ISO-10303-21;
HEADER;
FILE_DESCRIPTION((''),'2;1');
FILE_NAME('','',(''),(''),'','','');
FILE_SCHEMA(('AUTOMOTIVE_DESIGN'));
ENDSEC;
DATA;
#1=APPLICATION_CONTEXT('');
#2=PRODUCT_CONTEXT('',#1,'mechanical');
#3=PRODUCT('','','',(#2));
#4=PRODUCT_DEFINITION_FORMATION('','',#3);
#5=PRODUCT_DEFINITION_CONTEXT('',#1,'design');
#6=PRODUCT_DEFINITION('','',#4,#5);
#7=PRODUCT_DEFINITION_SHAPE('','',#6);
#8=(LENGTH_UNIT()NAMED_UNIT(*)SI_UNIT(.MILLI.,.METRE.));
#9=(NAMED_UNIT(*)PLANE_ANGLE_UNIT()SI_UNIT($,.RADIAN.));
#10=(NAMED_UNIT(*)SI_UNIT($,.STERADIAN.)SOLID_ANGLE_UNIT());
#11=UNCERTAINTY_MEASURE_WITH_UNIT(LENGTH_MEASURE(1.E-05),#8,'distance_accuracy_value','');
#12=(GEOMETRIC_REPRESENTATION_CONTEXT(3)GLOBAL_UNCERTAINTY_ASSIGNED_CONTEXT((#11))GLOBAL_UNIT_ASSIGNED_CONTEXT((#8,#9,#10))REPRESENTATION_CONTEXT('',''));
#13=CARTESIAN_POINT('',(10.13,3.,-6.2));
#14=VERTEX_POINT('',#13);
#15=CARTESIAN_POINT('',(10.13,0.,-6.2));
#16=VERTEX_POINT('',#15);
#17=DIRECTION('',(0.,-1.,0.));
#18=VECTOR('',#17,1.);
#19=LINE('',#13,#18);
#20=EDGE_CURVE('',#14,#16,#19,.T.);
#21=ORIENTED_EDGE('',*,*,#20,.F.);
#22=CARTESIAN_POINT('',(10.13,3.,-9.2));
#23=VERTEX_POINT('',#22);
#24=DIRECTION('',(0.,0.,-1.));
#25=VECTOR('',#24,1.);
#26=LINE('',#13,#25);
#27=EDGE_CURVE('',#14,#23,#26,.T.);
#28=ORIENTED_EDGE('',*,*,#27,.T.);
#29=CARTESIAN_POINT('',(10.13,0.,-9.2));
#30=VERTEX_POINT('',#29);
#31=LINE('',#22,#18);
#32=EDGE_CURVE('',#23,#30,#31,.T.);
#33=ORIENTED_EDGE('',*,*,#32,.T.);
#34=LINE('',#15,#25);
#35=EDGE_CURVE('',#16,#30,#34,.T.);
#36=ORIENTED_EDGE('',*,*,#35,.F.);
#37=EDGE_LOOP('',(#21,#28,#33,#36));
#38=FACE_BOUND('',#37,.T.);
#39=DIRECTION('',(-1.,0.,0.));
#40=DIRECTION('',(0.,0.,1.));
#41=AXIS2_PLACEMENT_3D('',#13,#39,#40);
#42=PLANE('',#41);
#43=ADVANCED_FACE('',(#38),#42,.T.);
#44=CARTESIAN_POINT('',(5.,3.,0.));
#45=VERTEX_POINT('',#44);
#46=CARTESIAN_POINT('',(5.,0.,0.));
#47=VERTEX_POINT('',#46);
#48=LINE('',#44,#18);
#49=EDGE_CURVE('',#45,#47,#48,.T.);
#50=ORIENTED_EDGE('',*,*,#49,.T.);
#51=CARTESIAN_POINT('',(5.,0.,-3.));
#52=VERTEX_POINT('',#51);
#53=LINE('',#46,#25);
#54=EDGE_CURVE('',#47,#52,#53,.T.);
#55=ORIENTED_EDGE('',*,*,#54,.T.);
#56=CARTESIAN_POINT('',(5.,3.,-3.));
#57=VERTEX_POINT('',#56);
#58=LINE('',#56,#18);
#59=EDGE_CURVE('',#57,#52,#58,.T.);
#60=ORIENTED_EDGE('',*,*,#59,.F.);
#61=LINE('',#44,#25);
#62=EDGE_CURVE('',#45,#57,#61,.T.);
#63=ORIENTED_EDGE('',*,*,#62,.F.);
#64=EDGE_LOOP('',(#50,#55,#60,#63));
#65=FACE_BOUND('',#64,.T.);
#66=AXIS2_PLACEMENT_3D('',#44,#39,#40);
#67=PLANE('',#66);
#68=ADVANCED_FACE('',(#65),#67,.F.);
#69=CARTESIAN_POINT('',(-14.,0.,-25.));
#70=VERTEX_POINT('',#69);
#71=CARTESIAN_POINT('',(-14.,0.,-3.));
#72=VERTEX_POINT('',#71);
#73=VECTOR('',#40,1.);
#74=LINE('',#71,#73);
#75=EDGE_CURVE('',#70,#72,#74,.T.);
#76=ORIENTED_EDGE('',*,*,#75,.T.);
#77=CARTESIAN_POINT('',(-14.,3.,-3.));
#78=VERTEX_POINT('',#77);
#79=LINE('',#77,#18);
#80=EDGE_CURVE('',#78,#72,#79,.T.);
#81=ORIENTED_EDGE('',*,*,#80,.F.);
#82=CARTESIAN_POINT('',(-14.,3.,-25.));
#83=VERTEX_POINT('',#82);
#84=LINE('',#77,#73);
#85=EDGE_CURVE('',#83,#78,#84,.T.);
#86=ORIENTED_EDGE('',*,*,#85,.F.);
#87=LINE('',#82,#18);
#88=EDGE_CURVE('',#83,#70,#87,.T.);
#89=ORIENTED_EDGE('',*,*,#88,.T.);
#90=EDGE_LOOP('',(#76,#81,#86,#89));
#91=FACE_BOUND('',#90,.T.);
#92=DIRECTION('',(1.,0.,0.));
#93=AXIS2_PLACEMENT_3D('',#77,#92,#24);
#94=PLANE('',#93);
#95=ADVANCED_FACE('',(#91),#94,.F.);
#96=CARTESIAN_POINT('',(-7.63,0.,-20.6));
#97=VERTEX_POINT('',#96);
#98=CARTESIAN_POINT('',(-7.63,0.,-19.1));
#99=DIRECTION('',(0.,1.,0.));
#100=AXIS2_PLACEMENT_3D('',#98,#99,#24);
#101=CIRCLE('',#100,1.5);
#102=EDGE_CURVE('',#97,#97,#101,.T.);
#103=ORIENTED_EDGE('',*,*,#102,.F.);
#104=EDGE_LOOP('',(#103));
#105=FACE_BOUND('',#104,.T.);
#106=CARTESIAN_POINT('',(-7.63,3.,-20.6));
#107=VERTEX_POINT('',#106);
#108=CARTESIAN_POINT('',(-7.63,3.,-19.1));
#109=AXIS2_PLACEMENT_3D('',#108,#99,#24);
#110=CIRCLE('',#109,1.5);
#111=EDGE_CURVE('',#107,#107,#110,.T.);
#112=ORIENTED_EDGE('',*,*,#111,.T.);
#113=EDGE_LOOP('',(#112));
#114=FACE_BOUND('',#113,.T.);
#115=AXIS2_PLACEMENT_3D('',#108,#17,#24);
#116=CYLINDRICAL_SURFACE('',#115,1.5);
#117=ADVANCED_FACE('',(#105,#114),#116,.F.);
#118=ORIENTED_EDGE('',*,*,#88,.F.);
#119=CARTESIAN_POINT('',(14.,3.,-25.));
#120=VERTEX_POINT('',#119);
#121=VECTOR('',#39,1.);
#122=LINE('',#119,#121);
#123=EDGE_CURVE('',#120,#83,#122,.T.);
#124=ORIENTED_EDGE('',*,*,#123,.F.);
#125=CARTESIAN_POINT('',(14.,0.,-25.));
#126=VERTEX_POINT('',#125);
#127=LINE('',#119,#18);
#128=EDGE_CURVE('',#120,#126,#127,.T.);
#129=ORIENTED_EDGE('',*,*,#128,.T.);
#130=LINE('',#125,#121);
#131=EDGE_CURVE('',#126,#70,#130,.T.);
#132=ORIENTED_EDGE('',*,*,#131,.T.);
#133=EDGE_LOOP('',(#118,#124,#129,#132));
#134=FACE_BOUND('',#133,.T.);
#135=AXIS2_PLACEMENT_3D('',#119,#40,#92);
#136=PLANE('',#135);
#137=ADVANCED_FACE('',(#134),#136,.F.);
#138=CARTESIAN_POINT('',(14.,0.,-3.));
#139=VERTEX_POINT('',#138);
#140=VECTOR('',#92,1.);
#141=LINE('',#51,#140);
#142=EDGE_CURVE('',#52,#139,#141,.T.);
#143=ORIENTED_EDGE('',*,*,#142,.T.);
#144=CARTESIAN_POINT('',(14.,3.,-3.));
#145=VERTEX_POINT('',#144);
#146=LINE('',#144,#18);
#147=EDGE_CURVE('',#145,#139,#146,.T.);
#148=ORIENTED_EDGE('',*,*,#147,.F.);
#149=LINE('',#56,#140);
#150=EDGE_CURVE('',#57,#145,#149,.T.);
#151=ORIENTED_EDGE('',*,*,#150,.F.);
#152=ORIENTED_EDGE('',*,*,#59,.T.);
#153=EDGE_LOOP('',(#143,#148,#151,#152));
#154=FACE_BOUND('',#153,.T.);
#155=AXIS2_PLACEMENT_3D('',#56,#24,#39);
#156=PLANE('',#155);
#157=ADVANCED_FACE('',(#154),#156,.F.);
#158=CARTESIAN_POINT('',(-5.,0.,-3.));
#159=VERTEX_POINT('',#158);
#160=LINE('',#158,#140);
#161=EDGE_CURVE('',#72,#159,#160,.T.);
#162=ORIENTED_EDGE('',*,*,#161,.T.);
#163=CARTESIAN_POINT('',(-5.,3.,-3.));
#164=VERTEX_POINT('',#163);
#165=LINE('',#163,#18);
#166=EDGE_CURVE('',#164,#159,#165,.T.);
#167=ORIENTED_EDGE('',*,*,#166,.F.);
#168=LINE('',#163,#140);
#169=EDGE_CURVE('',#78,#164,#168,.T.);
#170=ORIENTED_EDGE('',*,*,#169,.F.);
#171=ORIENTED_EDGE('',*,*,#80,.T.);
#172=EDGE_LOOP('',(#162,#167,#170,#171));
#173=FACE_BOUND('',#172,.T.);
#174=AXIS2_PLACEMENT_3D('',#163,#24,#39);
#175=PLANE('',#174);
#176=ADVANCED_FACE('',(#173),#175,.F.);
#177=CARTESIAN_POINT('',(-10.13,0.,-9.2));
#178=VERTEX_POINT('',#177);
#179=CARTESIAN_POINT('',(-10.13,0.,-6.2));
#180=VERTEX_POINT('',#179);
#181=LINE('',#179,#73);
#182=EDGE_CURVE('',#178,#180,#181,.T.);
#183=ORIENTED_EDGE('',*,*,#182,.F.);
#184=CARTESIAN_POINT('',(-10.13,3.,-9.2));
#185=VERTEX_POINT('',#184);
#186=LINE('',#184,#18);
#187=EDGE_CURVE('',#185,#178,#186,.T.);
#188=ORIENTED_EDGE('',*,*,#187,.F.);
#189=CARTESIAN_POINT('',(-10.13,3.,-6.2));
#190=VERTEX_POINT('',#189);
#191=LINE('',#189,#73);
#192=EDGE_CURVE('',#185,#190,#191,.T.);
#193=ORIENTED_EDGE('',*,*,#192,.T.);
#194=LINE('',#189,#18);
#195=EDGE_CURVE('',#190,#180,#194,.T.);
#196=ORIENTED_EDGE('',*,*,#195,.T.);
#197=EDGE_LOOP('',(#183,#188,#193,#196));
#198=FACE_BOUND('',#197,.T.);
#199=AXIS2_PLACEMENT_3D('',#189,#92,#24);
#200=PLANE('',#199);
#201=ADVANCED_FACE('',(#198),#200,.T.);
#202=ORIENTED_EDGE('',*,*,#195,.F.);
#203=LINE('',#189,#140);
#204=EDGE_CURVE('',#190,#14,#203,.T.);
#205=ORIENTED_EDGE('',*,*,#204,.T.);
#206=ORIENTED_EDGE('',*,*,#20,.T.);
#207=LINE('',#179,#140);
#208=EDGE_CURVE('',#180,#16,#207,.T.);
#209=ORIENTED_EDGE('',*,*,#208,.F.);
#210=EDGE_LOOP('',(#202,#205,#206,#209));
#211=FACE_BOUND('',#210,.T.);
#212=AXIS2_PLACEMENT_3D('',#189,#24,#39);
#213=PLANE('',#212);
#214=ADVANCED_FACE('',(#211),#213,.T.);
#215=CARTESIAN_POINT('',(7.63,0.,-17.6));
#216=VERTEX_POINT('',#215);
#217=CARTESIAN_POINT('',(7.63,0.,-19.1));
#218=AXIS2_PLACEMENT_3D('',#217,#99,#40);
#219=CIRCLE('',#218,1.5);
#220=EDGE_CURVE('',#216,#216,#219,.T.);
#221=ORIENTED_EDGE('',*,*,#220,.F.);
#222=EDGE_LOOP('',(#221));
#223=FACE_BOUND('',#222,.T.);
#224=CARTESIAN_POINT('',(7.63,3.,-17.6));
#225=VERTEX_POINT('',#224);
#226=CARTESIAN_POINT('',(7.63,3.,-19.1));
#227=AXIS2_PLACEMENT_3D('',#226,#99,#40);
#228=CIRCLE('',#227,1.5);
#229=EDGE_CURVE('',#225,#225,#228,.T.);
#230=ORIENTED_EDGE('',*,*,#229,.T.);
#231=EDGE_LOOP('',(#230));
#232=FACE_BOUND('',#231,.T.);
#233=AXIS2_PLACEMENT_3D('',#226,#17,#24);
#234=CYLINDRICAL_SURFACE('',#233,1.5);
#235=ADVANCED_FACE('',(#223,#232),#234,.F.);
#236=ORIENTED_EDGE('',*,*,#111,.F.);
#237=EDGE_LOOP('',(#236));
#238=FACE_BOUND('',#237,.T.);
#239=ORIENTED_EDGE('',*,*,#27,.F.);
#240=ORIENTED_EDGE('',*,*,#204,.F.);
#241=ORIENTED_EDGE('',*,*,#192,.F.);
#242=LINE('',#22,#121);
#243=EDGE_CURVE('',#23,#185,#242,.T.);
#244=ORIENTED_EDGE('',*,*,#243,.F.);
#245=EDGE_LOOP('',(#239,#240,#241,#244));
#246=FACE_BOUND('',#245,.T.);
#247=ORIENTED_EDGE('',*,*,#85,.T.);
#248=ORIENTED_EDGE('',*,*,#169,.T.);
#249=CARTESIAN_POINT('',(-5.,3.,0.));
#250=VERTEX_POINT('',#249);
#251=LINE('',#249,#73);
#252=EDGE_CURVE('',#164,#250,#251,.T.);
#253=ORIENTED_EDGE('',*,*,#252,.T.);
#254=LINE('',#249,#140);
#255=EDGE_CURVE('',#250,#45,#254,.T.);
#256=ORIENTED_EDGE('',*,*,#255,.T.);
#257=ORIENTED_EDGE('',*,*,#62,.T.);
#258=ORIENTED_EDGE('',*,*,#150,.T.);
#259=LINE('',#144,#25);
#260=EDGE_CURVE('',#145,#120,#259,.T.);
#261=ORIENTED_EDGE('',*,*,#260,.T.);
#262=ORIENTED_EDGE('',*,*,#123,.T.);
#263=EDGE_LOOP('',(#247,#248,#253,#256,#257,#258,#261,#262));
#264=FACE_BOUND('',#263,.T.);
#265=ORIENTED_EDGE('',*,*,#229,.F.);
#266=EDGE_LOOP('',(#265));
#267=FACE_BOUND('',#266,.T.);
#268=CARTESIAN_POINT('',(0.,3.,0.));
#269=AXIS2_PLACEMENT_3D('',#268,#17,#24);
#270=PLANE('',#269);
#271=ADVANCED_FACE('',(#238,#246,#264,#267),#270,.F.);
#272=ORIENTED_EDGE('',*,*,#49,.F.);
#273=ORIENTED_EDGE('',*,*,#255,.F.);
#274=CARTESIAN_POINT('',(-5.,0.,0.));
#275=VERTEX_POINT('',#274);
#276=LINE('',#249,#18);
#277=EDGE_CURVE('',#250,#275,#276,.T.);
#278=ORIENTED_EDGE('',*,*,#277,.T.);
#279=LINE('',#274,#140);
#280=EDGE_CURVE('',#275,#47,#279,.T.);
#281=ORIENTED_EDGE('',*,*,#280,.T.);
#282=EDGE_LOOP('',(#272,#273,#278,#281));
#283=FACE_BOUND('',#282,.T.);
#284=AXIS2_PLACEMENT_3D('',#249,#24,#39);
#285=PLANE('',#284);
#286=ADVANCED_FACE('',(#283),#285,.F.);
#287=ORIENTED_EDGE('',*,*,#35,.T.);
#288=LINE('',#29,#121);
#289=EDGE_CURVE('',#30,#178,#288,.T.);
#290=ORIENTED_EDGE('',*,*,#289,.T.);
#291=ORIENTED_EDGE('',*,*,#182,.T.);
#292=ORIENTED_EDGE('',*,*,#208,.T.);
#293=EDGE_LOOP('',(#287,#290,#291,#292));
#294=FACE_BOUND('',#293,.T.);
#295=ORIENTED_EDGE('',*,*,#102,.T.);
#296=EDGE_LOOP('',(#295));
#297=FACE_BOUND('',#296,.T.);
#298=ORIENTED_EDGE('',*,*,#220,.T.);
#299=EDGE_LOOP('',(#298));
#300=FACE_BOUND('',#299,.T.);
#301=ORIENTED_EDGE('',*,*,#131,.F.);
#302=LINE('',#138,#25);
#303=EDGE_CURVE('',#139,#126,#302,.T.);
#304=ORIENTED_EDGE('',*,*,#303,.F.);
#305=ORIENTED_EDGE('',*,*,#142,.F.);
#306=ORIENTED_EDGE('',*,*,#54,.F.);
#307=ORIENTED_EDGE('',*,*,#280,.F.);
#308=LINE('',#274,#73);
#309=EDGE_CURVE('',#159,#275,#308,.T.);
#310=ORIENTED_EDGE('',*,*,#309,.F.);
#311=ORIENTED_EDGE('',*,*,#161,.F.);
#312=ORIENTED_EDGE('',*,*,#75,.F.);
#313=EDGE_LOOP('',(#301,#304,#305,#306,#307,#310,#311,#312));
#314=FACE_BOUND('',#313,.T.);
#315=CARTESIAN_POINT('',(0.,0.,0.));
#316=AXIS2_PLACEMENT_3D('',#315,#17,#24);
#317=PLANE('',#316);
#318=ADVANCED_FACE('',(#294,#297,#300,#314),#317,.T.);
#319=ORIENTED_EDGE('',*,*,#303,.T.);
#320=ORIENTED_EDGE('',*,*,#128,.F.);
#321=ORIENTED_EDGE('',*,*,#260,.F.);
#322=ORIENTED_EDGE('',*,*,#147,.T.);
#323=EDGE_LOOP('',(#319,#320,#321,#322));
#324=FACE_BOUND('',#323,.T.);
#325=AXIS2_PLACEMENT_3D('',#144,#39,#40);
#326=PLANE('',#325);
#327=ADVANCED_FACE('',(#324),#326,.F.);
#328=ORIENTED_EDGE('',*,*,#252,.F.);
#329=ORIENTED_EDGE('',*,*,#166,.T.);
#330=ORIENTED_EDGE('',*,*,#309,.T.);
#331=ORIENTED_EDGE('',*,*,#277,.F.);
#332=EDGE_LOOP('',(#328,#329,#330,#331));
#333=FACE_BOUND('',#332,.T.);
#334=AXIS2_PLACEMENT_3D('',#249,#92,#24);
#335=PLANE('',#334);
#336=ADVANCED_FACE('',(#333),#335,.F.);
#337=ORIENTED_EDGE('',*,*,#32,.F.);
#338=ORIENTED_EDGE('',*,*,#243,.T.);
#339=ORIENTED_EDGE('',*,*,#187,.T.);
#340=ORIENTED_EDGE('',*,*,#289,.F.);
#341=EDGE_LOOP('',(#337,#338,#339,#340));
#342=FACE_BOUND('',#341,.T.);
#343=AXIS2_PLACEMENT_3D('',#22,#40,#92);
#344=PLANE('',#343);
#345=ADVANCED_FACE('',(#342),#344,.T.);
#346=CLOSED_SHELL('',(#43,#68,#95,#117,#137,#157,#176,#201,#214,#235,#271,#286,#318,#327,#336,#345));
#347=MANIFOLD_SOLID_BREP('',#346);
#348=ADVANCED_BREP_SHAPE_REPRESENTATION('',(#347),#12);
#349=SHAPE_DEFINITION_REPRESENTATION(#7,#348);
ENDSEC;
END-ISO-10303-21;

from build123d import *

# Parameters (mm, degrees)
SKETCH1_R           = 1.5
SKETCH1_W           = 20.26
SKETCH1_H           = 3
BOSS_EXTRUDE1_DEPTH = 3


with BuildPart() as part:
    # Sketch1 → Boss-Extrude1 (new body)
    with BuildSketch(Plane(origin=(0, 0, 0), x_dir=(1, 0, 0), z_dir=(0, 1, 0))):
        Polygon((-5, 0), (5, 0), (5, 3), (14, 3), (14, 25), (-14, 25), (-14, 3), (-5, 3), align=None)
        with Locations(Location((7.63, 19.1, 0), (0, 0, 270))):
            Circle(SKETCH1_R, mode=Mode.SUBTRACT)
        with Locations(Location((-7.63, 19.1, 0), (0, 0, 90))):
            Circle(SKETCH1_R, mode=Mode.SUBTRACT)
        with Locations((0, 7.7)):
            Rectangle(SKETCH1_W, SKETCH1_H, mode=Mode.SUBTRACT)
    extrude(amount=BOSS_EXTRUDE1_DEPTH)


solid = part.part
